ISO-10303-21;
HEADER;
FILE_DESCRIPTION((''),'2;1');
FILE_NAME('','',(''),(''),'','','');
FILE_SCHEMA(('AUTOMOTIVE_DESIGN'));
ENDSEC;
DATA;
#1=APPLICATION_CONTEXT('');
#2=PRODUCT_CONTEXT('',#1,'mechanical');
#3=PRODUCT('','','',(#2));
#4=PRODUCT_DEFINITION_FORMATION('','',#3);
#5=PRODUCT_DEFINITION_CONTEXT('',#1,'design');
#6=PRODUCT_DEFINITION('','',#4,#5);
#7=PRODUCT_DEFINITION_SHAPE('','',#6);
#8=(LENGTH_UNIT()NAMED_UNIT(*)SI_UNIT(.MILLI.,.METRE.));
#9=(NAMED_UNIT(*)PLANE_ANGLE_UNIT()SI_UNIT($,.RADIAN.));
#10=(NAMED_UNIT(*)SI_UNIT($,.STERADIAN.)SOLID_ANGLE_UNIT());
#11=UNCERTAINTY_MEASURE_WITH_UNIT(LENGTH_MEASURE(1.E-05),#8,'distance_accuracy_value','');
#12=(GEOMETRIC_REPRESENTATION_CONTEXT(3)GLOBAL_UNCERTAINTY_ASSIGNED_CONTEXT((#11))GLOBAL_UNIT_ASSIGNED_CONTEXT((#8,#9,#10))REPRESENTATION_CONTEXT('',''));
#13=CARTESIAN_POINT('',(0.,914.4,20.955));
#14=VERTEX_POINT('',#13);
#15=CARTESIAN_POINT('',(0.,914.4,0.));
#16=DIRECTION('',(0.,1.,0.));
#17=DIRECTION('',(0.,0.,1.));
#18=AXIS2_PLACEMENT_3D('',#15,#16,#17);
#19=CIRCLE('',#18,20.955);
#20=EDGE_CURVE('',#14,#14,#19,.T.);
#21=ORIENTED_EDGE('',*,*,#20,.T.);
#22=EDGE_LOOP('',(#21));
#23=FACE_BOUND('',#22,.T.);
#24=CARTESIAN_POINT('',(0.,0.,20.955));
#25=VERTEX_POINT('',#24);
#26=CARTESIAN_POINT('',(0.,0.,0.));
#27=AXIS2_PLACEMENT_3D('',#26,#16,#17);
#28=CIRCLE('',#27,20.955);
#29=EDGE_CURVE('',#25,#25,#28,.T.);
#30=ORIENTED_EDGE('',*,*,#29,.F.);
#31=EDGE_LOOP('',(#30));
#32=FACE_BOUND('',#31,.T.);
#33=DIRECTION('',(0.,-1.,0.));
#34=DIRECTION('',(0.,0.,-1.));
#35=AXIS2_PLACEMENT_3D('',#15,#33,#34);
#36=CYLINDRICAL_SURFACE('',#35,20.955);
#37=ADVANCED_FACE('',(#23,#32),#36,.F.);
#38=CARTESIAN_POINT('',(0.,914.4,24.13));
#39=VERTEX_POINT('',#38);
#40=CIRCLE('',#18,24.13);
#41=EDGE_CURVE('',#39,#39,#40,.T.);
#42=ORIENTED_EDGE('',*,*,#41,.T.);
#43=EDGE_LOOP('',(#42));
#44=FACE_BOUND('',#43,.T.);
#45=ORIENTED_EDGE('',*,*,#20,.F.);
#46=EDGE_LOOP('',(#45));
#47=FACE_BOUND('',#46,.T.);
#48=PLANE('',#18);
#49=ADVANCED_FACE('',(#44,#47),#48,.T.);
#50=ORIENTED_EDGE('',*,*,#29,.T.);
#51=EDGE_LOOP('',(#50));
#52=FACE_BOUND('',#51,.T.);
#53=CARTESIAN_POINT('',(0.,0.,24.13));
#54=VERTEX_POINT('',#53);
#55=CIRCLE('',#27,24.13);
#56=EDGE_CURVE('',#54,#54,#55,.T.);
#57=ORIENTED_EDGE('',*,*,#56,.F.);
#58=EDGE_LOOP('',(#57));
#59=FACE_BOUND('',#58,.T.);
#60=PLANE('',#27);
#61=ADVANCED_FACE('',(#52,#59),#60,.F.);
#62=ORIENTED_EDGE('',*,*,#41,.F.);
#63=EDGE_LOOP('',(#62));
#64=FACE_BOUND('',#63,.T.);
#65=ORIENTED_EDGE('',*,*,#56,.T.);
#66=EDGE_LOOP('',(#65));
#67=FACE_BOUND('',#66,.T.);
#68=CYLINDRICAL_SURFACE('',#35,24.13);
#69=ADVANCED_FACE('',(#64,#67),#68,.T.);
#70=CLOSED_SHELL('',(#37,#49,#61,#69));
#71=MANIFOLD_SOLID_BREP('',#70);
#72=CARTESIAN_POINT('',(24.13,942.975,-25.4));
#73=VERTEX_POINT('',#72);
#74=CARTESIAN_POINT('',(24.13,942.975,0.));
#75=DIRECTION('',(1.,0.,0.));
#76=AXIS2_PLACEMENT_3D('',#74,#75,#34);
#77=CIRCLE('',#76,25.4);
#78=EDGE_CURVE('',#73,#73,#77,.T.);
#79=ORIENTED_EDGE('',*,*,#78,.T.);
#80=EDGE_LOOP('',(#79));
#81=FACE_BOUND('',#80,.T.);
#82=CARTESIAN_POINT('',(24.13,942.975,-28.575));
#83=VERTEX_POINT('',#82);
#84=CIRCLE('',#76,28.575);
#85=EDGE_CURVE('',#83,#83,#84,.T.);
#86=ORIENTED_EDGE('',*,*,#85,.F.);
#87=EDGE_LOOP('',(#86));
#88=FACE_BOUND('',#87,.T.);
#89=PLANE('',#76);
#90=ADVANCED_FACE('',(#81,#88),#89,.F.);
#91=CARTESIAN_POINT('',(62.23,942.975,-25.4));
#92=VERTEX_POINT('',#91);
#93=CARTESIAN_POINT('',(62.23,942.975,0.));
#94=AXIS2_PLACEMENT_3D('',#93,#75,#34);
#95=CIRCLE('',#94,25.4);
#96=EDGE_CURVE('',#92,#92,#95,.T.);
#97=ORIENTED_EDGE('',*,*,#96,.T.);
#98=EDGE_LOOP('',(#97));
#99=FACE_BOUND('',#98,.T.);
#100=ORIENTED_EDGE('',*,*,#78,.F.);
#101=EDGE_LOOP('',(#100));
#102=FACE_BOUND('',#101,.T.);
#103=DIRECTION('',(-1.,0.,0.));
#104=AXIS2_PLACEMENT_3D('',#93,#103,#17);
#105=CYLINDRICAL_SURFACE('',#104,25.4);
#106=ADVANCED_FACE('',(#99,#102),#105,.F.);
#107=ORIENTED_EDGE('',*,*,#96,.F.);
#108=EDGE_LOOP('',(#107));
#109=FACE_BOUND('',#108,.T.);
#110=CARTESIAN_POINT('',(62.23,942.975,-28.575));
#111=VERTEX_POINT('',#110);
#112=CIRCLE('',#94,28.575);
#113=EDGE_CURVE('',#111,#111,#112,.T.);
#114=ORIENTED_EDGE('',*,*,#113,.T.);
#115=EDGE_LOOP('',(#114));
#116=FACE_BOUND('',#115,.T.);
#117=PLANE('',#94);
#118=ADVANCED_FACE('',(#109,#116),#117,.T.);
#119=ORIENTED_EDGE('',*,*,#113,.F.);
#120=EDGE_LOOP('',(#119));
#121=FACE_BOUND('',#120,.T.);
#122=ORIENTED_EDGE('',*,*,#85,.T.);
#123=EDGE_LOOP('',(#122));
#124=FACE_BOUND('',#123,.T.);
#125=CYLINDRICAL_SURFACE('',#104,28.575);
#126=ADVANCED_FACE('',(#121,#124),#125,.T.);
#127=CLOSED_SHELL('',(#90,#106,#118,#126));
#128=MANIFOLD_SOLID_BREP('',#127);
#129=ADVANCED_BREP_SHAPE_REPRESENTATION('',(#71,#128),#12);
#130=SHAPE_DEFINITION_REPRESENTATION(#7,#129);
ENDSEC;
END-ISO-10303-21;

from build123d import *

# Parameters (mm, degrees)
SKETCH1_R           = 24.13
SKETCH1_R_2         = 20.955
BOSS_EXTRUDE1_DEPTH = 914.4
BOSS_EXTRUDE2_START = 24.13
SKETCH2_R           = 28.575
SKETCH2_R_2         = 25.4
BOSS_EXTRUDE2_DEPTH = 38.1


with BuildPart() as part:
    # Sketch1 → Boss-Extrude1 (new body)
    with BuildSketch(Plane(origin=(0, 0, 0), x_dir=(1, 0, 0), z_dir=(0, 1, 0))):
        Circle(SKETCH1_R)
        Circle(SKETCH1_R_2, mode=Mode.SUBTRACT)
    extrude(amount=BOSS_EXTRUDE1_DEPTH)


with BuildPart() as body_2:
    # Sketch2 → Boss-Extrude2 (new body)
    with BuildSketch(Plane(origin=(0, 0, 0), x_dir=(0, 0, -1), z_dir=(1, 0, 0)).offset(BOSS_EXTRUDE2_START)):
        with Locations((0, 942.975)):
            Circle(SKETCH2_R)
        with Locations((0, 942.975)):
            Circle(SKETCH2_R_2, mode=Mode.SUBTRACT)
    extrude(amount=BOSS_EXTRUDE2_DEPTH)


solid = Compound([part.part, body_2.part])
